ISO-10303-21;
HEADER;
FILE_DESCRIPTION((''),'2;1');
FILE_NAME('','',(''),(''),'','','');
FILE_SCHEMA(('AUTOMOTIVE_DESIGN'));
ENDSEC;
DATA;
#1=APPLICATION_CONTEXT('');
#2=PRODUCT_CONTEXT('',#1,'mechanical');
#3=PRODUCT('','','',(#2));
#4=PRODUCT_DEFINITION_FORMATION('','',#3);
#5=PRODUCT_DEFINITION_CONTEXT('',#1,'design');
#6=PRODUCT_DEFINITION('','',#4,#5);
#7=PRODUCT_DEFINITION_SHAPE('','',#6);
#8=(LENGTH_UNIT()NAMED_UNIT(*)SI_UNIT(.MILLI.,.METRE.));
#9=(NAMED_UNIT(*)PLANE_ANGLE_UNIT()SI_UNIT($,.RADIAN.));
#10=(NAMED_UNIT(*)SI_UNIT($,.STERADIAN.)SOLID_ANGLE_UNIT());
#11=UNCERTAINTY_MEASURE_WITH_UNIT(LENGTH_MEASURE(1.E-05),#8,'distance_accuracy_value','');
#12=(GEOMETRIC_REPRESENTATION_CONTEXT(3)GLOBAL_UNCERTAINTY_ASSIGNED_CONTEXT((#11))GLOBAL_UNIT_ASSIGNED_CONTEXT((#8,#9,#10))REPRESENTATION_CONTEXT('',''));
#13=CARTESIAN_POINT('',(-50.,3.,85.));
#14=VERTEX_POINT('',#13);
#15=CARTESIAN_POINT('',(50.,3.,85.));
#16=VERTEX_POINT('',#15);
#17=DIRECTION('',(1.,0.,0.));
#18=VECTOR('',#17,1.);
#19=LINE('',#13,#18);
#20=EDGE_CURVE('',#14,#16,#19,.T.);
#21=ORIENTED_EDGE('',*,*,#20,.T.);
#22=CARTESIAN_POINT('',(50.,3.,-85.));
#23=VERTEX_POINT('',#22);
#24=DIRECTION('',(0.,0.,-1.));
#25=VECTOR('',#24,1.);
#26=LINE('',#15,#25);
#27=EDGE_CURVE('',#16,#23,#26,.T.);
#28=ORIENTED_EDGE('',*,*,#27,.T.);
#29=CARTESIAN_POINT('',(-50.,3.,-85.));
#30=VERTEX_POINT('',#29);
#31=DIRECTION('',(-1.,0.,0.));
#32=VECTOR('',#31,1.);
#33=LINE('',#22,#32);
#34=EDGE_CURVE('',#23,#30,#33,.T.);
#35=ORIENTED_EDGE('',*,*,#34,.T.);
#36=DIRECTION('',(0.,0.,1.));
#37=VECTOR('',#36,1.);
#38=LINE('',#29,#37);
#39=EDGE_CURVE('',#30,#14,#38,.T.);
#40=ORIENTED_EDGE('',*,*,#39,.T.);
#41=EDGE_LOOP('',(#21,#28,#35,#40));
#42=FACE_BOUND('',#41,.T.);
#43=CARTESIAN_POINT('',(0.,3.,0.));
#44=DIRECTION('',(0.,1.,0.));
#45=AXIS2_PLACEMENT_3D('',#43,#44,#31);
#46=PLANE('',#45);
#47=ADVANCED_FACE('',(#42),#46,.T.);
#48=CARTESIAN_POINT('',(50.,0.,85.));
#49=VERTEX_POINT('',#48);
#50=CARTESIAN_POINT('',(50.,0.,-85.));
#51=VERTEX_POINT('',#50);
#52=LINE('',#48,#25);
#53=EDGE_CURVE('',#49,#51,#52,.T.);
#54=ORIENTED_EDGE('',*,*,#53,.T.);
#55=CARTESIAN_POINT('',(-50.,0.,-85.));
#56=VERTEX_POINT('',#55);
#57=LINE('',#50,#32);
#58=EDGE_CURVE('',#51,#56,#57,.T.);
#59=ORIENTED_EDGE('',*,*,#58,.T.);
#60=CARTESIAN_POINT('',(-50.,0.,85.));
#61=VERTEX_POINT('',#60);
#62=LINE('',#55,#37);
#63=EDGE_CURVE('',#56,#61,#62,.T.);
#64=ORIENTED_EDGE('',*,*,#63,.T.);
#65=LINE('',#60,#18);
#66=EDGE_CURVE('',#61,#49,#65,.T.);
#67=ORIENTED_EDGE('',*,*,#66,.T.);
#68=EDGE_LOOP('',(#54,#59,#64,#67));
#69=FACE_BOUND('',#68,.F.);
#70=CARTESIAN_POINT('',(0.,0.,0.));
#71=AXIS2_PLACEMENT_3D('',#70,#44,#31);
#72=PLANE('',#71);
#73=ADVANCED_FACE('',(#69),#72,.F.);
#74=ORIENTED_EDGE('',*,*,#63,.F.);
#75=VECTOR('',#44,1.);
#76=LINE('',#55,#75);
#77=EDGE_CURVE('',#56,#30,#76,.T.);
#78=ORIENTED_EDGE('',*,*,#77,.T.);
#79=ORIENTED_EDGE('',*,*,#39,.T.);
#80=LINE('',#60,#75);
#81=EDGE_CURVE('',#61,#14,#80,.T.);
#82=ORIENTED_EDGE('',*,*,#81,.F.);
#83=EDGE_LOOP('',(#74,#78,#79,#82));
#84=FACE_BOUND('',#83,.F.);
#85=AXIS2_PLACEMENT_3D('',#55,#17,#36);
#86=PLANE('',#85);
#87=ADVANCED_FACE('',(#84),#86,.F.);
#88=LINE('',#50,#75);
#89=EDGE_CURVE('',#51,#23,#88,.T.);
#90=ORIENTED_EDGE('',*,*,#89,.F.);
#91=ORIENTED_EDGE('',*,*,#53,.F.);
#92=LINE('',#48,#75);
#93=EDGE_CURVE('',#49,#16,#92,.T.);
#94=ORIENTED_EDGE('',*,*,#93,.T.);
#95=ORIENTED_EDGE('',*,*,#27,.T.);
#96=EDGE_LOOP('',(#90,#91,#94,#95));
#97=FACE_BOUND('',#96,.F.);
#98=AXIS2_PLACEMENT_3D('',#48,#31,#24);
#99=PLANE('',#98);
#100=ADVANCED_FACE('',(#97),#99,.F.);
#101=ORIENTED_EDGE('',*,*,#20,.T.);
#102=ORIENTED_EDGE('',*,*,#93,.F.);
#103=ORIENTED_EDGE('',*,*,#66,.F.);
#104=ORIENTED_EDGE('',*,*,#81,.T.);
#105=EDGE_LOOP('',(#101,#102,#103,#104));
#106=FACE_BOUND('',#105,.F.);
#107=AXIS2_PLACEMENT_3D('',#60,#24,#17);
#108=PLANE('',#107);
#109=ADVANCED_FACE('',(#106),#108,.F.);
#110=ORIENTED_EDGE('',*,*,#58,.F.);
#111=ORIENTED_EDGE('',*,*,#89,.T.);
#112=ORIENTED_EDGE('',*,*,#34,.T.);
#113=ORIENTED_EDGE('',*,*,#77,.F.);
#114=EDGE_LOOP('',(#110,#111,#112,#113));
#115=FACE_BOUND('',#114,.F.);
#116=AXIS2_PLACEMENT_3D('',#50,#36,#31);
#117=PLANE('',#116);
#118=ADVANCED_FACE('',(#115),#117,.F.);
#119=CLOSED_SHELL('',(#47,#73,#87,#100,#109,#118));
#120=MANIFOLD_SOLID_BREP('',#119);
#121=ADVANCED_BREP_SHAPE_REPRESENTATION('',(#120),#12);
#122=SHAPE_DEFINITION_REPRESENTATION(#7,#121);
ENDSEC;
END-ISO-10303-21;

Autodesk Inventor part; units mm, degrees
ref_plane "YZ Plane" through (0, 0, 0) normal (1, 0, 0) x (0, 1, 0)
ref_plane "XZ Plane" through (0, 0, 0) normal (0, 1, 0) x (-1, 0, 0)
ref_plane "XY Plane" through (0, 0, 0) normal (0, 0, 1) x (1, 0, 0)
sketch "Sketch1" plane through (0, 0, 0) normal (0, 1, 0) x (-1, 0, 0)
  line L0 (50, 85) -> (-50, 85)
  line L1 (-50, 85) -> (-50, -85)
  line L2 (-50, -85) -> (50, -85)
  line L3 (50, -85) -> (50, 85)
  line L4 (50, 85) -> (-50, -85) construction
  point P0 (0, 0)
  point P1 (0, 0)
  dimension "d0" = 100
  dimension "d1" = 170
extrude "Plate1" add sketch "Sketch1" along normal blind 3
equation "\"BendReliefWidth\" = Thickness"
equation "\"BendReliefDepth\" = 0.5 * Thickness"
equation "\"CornerReliefSize\" = 4 * Thickness"
equation "\"MinimumRemnant\" = 2 * Thickness"
equation "\"TransitionRadius\" = BendRadius"
equation "\"JacobiRadiusSize\" = BendRadius"
equation "\"GapSize\" = Thickness"
properties part number "MSC 128 flange base tube support" material "Stainless Steel"
